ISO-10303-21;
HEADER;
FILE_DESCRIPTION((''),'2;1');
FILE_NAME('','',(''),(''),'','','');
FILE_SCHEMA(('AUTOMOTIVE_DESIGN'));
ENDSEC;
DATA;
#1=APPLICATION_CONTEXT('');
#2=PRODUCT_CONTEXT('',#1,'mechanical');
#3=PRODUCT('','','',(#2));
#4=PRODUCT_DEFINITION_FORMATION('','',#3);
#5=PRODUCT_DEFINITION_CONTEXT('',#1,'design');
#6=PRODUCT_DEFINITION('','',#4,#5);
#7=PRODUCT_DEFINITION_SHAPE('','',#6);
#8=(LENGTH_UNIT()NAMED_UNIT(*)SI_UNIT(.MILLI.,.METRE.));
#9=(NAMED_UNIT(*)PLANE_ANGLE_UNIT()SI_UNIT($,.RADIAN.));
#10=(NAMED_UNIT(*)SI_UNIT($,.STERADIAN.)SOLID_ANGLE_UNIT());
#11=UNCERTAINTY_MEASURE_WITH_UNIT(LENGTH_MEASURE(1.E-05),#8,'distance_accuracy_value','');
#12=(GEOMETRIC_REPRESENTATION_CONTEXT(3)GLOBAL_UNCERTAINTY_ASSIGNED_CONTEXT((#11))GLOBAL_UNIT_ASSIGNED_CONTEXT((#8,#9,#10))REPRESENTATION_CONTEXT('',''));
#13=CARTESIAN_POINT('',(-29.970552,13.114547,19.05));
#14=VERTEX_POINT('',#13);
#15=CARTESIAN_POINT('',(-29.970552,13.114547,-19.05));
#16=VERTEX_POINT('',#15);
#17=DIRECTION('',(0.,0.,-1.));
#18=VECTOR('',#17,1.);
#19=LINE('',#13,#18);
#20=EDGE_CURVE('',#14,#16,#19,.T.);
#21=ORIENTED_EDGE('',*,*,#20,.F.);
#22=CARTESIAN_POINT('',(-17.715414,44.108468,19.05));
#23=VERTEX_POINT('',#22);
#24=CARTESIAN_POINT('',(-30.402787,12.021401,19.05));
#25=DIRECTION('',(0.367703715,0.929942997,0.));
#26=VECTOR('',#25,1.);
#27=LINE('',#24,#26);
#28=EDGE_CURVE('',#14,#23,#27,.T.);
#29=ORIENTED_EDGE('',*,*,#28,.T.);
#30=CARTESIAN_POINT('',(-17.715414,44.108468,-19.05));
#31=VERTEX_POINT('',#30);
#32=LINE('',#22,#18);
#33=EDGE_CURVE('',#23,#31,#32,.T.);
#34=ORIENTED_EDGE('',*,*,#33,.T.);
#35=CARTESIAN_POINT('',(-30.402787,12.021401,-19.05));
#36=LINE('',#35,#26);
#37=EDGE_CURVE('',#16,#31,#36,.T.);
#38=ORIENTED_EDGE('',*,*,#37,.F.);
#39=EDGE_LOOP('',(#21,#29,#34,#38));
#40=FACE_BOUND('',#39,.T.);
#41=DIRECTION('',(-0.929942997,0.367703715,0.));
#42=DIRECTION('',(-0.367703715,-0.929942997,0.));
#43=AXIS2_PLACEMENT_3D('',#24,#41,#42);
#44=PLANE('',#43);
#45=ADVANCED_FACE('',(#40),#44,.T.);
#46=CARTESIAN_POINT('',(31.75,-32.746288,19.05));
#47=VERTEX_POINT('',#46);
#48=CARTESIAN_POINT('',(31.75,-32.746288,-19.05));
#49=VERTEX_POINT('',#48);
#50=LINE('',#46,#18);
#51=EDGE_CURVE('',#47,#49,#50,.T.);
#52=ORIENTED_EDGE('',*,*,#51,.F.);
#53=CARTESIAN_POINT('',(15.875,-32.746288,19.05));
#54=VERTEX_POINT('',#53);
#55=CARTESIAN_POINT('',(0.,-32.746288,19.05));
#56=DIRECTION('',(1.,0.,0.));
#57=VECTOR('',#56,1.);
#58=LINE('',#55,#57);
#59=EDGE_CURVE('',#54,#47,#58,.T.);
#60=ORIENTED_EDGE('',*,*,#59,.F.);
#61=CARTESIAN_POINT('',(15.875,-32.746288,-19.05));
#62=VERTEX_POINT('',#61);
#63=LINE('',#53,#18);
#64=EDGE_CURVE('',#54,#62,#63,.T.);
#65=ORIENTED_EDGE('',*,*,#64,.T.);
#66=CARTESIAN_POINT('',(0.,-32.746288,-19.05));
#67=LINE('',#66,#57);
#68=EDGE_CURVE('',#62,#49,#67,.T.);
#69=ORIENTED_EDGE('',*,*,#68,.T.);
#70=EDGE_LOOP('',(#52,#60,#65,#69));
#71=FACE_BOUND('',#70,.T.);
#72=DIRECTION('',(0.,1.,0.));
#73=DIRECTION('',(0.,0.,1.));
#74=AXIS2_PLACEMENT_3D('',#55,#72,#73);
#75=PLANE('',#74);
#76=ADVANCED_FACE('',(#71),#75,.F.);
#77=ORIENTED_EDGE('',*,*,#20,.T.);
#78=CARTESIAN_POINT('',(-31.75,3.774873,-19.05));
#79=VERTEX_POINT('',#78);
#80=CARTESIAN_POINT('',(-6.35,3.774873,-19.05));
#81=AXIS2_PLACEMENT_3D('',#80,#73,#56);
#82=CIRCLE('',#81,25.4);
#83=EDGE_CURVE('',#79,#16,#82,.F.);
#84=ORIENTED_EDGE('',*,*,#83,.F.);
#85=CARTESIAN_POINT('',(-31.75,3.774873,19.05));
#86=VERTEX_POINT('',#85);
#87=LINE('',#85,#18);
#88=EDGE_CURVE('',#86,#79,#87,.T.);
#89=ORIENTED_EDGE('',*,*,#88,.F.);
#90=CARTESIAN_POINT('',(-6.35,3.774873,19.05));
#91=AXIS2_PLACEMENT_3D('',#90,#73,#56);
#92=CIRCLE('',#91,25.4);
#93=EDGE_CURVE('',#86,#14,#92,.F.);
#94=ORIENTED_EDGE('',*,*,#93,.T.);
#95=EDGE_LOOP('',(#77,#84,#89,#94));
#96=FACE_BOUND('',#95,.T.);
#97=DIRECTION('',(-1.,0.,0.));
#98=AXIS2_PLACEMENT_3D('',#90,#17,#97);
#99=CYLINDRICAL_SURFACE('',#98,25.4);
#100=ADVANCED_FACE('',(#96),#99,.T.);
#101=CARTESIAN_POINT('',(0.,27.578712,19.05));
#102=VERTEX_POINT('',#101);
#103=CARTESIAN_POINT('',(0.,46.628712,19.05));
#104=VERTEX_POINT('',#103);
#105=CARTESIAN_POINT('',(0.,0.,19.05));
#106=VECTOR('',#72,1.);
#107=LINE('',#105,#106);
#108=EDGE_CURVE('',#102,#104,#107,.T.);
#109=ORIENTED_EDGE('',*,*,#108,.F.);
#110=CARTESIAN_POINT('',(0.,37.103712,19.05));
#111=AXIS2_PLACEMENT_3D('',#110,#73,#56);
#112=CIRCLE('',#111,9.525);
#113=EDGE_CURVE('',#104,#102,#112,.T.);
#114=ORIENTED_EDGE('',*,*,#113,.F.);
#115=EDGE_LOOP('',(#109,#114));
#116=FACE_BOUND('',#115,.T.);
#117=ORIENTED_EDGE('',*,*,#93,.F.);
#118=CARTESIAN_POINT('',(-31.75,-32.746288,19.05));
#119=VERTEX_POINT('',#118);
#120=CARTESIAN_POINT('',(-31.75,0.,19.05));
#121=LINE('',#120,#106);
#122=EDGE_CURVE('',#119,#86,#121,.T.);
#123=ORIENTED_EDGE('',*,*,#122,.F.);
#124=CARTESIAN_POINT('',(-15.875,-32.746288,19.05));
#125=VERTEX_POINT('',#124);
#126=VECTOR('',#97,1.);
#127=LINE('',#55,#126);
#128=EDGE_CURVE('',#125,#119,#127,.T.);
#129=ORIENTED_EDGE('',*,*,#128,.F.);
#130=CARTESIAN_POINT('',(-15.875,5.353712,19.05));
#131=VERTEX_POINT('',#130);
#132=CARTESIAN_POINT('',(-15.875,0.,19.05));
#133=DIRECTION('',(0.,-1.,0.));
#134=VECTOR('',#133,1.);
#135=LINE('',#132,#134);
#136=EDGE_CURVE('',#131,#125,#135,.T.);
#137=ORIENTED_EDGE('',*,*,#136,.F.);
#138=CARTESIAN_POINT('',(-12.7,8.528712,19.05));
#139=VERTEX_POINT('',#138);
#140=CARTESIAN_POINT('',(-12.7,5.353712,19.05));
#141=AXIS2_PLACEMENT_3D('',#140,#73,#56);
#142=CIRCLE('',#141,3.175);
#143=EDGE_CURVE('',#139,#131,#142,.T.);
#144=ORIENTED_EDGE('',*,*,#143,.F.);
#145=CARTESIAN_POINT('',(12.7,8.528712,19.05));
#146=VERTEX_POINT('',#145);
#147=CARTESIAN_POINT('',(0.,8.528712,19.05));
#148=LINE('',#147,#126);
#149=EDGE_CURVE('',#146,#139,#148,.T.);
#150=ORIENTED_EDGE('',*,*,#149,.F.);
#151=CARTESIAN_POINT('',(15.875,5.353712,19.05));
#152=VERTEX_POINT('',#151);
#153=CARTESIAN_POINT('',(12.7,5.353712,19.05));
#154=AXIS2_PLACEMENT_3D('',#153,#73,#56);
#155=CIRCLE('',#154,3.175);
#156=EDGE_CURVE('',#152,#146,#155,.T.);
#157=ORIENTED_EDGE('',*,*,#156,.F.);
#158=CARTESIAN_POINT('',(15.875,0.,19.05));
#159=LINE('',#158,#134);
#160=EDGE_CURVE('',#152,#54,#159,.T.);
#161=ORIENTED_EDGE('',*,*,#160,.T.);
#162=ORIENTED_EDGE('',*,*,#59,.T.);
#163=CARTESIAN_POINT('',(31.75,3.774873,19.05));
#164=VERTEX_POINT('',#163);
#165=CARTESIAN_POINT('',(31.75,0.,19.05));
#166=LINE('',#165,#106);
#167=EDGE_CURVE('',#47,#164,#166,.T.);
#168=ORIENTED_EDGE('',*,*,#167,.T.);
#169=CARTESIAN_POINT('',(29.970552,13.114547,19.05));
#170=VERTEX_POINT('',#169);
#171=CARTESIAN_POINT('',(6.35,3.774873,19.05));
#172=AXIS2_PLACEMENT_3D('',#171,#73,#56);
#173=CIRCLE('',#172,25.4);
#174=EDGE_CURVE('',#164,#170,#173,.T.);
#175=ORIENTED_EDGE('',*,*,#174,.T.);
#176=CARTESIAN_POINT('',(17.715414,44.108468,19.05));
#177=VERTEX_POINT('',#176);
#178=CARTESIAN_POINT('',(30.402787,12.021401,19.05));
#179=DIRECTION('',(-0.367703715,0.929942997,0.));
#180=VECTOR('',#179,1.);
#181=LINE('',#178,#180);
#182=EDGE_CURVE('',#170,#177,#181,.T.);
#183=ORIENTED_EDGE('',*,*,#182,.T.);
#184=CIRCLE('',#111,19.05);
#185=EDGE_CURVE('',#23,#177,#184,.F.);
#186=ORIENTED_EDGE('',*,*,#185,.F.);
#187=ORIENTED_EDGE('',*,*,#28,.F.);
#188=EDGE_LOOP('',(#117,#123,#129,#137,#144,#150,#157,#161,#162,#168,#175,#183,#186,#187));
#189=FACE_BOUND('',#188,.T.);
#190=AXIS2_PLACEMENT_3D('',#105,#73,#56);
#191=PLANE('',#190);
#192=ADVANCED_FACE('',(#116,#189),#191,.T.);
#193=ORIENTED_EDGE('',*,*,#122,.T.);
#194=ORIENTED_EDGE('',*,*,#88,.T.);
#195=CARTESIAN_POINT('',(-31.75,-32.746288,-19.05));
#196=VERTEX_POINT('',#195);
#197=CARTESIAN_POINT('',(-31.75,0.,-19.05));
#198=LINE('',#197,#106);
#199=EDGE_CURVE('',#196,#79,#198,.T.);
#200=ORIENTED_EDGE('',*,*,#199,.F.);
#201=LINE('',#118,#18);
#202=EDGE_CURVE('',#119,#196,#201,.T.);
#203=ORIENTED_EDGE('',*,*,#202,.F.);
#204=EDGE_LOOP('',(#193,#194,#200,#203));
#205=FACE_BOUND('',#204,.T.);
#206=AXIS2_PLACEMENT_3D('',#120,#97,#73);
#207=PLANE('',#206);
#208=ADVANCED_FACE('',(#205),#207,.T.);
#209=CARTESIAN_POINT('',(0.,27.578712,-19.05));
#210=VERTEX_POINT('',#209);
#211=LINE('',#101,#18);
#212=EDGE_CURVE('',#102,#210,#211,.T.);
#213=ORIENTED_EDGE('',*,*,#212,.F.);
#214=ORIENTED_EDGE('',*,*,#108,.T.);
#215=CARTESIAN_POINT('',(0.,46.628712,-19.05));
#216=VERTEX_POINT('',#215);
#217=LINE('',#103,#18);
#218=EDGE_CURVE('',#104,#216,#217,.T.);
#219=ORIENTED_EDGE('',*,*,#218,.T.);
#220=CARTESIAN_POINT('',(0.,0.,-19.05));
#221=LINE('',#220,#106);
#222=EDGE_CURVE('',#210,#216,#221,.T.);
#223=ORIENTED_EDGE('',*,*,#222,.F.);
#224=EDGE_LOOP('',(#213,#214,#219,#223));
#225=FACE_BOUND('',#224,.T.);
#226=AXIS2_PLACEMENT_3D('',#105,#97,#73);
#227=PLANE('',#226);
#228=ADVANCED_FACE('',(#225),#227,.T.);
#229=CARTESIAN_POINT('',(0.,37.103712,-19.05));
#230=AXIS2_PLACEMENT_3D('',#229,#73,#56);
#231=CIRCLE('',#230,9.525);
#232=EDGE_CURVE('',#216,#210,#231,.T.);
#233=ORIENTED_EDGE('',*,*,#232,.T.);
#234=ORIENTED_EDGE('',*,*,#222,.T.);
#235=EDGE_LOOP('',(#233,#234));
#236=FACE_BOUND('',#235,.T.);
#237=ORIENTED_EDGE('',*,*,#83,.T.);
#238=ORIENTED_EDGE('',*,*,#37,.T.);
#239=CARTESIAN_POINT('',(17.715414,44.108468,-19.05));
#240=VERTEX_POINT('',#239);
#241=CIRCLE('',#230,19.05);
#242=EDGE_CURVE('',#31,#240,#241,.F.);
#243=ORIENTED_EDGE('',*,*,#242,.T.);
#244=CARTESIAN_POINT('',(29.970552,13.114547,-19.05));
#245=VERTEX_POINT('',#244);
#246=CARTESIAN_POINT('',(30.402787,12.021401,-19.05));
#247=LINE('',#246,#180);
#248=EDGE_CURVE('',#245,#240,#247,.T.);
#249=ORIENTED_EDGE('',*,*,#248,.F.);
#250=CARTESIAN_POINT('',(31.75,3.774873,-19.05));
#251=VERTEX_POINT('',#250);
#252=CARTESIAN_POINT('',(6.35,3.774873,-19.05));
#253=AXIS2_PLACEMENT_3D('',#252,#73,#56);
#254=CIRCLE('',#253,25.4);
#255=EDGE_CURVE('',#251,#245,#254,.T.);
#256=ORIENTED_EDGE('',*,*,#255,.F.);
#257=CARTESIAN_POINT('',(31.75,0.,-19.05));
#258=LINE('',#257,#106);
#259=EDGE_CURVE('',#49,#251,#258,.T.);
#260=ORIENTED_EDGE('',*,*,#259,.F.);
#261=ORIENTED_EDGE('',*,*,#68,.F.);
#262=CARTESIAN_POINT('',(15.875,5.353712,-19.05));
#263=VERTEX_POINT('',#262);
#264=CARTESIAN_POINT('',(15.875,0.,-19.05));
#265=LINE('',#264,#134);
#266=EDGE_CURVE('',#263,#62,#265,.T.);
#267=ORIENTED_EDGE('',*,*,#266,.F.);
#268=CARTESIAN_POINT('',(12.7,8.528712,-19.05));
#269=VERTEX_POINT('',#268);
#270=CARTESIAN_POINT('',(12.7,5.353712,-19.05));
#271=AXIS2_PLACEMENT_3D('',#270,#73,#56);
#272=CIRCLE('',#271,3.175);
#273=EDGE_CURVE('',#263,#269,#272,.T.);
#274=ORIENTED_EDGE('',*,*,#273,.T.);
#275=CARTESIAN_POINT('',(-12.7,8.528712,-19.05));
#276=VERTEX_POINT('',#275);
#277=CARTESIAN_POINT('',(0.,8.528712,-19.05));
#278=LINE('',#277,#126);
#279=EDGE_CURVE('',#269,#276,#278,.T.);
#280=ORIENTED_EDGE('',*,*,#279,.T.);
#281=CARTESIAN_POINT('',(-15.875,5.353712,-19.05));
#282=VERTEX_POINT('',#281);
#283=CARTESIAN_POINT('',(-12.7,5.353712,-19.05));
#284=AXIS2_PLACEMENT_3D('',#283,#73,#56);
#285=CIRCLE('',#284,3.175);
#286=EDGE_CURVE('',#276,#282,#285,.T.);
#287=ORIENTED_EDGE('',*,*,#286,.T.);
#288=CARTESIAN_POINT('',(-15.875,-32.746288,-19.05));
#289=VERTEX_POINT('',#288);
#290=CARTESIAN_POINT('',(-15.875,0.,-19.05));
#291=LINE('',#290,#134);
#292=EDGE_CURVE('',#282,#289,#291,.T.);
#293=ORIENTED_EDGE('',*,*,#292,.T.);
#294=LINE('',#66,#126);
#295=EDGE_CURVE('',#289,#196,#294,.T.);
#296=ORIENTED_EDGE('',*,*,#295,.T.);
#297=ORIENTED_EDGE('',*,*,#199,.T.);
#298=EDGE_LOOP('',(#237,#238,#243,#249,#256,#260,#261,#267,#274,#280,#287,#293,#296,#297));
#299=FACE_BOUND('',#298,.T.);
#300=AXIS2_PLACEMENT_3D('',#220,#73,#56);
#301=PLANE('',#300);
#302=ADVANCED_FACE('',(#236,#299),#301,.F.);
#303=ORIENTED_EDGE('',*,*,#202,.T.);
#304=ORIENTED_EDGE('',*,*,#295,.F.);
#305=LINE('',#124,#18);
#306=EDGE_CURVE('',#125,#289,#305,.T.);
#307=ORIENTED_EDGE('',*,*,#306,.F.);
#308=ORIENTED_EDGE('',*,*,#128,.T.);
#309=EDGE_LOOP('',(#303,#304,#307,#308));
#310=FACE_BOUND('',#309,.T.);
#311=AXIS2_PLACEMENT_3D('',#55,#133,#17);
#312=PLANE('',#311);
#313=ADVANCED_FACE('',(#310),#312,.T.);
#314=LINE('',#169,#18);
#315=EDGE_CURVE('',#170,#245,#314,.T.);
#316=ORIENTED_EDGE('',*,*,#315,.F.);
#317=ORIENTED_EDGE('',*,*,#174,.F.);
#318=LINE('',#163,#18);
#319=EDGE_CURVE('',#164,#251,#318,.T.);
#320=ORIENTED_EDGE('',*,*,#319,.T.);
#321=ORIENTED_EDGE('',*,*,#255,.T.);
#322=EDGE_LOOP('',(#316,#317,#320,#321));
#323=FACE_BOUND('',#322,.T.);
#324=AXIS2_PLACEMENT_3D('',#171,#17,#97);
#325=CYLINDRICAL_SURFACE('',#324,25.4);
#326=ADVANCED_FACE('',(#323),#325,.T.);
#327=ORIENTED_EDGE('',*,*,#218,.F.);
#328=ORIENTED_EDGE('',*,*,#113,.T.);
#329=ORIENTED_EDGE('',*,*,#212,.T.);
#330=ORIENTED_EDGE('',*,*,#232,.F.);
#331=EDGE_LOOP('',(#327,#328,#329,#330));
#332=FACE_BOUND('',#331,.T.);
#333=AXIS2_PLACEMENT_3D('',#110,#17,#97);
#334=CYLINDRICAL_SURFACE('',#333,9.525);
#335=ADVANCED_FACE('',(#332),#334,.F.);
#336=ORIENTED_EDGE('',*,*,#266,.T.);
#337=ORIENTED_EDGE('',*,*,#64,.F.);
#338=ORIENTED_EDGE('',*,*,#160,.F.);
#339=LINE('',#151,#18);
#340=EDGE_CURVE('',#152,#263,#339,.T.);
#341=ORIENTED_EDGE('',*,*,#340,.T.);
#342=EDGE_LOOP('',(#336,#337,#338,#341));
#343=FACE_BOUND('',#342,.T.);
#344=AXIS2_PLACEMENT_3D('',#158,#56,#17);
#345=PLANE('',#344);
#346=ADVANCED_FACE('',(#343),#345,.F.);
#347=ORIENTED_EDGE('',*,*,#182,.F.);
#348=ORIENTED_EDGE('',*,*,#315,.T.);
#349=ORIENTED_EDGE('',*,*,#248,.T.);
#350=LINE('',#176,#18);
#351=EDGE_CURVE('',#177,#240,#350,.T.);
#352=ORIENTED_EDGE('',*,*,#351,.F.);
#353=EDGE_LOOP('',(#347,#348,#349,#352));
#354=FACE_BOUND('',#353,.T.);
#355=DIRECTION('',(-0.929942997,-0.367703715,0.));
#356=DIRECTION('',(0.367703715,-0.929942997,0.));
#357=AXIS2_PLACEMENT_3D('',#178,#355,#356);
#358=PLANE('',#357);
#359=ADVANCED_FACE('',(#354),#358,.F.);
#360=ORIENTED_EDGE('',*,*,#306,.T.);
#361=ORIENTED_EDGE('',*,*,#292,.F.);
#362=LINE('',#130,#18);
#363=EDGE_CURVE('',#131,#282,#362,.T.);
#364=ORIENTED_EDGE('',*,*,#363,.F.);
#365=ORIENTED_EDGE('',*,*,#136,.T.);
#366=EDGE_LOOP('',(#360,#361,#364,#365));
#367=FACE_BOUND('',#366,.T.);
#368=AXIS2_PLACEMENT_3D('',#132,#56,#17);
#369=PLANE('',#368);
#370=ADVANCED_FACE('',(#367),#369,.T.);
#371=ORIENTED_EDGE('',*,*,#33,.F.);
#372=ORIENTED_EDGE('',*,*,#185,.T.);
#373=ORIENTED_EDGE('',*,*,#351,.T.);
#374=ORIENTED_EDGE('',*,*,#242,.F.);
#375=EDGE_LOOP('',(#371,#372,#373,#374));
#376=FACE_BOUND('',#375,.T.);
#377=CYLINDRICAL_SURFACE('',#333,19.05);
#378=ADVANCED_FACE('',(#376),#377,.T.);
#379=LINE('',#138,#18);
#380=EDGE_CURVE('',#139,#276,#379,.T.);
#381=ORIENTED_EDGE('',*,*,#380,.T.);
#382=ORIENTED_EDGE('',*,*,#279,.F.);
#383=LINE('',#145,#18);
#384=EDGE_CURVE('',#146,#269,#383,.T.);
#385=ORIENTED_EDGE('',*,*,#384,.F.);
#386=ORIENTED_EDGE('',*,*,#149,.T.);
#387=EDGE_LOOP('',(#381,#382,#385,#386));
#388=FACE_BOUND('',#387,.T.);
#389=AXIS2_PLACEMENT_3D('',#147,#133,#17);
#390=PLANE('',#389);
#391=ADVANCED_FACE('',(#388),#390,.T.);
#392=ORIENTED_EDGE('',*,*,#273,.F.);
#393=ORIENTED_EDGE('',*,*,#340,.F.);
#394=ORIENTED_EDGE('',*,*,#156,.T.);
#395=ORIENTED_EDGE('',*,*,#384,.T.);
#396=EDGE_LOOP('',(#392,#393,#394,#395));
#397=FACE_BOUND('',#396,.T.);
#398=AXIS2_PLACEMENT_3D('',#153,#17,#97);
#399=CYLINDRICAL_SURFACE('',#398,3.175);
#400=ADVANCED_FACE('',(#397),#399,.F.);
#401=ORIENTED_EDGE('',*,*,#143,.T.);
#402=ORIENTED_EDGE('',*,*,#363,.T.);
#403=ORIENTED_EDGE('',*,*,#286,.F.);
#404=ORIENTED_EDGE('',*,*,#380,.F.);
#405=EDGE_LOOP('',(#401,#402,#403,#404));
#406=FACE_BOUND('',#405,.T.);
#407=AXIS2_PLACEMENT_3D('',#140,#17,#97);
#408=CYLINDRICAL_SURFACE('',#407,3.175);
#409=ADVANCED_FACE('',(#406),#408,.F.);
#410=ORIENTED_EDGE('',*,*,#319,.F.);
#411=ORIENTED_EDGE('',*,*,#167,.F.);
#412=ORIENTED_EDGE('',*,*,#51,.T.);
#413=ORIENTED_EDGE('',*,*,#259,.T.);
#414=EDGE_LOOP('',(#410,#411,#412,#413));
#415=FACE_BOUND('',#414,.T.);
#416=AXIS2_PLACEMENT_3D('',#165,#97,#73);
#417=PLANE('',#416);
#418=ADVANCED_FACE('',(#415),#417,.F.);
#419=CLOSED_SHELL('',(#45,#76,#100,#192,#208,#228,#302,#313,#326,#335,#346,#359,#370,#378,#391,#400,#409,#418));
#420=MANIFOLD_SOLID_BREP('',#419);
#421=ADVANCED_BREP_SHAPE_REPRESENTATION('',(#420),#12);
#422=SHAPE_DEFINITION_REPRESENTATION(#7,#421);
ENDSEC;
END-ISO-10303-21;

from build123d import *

# Parameters (mm, degrees)
BOSS_EXTRUDE1_DEPTH = 19.05


with BuildPart() as part:
    # Sketch1 → Boss-Extrude1 (new, symmetric)
    with BuildSketch(Plane.XY):
        with BuildLine():
            Line((-12.7, 8.528712184), (0, 8.528712184))
            Line((0, 8.528712184), (12.7, 8.528712184))
            ThreePointArc((12.7, 8.528712184), (14.94506403, 7.598776215), (15.875, 5.353712184))
            Line((15.875, 5.353712184), (15.875, -32.746287816))
            Line((15.875, -32.746287816), (31.75, -32.746287816))
            Line((31.75, -32.746287816), (31.75, 3.774872893))
            ThreePointArc((31.75, 3.774872893), (31.301172558, 8.528712184), (29.970552126, 13.11454726))
            Line((29.970552126, 13.11454726), (17.715414094, 44.108467959))
            ThreePointArc((17.715414094, 44.108467959), (0, 56.153712184), (-17.715414094, 44.108467959))
            Line((-17.715414094, 44.108467959), (-29.970552126, 13.11454726))
            ThreePointArc((-29.970552126, 13.11454726), (-31.301172558, 8.528712184), (-31.75, 3.774872893))
            Line((-31.75, 3.774872893), (-31.75, -32.746287816))
            Line((-31.75, -32.746287816), (-15.875, -32.746287816))
            Line((-15.875, -32.746287816), (-15.875, 5.353712184))
            ThreePointArc((-15.875, 5.353712184), (-14.94506403, 7.598776215), (-12.7, 8.528712184))
        make_face()
        with BuildLine():
            Line((0, 46.628712184), (0, 27.578712184))
            ThreePointArc((0, 27.578712184), (-9.525, 37.103712184), (0, 46.628712184))
        make_face(mode=Mode.SUBTRACT)
    extrude(amount=BOSS_EXTRUDE1_DEPTH, both=True)


solid = part.part
